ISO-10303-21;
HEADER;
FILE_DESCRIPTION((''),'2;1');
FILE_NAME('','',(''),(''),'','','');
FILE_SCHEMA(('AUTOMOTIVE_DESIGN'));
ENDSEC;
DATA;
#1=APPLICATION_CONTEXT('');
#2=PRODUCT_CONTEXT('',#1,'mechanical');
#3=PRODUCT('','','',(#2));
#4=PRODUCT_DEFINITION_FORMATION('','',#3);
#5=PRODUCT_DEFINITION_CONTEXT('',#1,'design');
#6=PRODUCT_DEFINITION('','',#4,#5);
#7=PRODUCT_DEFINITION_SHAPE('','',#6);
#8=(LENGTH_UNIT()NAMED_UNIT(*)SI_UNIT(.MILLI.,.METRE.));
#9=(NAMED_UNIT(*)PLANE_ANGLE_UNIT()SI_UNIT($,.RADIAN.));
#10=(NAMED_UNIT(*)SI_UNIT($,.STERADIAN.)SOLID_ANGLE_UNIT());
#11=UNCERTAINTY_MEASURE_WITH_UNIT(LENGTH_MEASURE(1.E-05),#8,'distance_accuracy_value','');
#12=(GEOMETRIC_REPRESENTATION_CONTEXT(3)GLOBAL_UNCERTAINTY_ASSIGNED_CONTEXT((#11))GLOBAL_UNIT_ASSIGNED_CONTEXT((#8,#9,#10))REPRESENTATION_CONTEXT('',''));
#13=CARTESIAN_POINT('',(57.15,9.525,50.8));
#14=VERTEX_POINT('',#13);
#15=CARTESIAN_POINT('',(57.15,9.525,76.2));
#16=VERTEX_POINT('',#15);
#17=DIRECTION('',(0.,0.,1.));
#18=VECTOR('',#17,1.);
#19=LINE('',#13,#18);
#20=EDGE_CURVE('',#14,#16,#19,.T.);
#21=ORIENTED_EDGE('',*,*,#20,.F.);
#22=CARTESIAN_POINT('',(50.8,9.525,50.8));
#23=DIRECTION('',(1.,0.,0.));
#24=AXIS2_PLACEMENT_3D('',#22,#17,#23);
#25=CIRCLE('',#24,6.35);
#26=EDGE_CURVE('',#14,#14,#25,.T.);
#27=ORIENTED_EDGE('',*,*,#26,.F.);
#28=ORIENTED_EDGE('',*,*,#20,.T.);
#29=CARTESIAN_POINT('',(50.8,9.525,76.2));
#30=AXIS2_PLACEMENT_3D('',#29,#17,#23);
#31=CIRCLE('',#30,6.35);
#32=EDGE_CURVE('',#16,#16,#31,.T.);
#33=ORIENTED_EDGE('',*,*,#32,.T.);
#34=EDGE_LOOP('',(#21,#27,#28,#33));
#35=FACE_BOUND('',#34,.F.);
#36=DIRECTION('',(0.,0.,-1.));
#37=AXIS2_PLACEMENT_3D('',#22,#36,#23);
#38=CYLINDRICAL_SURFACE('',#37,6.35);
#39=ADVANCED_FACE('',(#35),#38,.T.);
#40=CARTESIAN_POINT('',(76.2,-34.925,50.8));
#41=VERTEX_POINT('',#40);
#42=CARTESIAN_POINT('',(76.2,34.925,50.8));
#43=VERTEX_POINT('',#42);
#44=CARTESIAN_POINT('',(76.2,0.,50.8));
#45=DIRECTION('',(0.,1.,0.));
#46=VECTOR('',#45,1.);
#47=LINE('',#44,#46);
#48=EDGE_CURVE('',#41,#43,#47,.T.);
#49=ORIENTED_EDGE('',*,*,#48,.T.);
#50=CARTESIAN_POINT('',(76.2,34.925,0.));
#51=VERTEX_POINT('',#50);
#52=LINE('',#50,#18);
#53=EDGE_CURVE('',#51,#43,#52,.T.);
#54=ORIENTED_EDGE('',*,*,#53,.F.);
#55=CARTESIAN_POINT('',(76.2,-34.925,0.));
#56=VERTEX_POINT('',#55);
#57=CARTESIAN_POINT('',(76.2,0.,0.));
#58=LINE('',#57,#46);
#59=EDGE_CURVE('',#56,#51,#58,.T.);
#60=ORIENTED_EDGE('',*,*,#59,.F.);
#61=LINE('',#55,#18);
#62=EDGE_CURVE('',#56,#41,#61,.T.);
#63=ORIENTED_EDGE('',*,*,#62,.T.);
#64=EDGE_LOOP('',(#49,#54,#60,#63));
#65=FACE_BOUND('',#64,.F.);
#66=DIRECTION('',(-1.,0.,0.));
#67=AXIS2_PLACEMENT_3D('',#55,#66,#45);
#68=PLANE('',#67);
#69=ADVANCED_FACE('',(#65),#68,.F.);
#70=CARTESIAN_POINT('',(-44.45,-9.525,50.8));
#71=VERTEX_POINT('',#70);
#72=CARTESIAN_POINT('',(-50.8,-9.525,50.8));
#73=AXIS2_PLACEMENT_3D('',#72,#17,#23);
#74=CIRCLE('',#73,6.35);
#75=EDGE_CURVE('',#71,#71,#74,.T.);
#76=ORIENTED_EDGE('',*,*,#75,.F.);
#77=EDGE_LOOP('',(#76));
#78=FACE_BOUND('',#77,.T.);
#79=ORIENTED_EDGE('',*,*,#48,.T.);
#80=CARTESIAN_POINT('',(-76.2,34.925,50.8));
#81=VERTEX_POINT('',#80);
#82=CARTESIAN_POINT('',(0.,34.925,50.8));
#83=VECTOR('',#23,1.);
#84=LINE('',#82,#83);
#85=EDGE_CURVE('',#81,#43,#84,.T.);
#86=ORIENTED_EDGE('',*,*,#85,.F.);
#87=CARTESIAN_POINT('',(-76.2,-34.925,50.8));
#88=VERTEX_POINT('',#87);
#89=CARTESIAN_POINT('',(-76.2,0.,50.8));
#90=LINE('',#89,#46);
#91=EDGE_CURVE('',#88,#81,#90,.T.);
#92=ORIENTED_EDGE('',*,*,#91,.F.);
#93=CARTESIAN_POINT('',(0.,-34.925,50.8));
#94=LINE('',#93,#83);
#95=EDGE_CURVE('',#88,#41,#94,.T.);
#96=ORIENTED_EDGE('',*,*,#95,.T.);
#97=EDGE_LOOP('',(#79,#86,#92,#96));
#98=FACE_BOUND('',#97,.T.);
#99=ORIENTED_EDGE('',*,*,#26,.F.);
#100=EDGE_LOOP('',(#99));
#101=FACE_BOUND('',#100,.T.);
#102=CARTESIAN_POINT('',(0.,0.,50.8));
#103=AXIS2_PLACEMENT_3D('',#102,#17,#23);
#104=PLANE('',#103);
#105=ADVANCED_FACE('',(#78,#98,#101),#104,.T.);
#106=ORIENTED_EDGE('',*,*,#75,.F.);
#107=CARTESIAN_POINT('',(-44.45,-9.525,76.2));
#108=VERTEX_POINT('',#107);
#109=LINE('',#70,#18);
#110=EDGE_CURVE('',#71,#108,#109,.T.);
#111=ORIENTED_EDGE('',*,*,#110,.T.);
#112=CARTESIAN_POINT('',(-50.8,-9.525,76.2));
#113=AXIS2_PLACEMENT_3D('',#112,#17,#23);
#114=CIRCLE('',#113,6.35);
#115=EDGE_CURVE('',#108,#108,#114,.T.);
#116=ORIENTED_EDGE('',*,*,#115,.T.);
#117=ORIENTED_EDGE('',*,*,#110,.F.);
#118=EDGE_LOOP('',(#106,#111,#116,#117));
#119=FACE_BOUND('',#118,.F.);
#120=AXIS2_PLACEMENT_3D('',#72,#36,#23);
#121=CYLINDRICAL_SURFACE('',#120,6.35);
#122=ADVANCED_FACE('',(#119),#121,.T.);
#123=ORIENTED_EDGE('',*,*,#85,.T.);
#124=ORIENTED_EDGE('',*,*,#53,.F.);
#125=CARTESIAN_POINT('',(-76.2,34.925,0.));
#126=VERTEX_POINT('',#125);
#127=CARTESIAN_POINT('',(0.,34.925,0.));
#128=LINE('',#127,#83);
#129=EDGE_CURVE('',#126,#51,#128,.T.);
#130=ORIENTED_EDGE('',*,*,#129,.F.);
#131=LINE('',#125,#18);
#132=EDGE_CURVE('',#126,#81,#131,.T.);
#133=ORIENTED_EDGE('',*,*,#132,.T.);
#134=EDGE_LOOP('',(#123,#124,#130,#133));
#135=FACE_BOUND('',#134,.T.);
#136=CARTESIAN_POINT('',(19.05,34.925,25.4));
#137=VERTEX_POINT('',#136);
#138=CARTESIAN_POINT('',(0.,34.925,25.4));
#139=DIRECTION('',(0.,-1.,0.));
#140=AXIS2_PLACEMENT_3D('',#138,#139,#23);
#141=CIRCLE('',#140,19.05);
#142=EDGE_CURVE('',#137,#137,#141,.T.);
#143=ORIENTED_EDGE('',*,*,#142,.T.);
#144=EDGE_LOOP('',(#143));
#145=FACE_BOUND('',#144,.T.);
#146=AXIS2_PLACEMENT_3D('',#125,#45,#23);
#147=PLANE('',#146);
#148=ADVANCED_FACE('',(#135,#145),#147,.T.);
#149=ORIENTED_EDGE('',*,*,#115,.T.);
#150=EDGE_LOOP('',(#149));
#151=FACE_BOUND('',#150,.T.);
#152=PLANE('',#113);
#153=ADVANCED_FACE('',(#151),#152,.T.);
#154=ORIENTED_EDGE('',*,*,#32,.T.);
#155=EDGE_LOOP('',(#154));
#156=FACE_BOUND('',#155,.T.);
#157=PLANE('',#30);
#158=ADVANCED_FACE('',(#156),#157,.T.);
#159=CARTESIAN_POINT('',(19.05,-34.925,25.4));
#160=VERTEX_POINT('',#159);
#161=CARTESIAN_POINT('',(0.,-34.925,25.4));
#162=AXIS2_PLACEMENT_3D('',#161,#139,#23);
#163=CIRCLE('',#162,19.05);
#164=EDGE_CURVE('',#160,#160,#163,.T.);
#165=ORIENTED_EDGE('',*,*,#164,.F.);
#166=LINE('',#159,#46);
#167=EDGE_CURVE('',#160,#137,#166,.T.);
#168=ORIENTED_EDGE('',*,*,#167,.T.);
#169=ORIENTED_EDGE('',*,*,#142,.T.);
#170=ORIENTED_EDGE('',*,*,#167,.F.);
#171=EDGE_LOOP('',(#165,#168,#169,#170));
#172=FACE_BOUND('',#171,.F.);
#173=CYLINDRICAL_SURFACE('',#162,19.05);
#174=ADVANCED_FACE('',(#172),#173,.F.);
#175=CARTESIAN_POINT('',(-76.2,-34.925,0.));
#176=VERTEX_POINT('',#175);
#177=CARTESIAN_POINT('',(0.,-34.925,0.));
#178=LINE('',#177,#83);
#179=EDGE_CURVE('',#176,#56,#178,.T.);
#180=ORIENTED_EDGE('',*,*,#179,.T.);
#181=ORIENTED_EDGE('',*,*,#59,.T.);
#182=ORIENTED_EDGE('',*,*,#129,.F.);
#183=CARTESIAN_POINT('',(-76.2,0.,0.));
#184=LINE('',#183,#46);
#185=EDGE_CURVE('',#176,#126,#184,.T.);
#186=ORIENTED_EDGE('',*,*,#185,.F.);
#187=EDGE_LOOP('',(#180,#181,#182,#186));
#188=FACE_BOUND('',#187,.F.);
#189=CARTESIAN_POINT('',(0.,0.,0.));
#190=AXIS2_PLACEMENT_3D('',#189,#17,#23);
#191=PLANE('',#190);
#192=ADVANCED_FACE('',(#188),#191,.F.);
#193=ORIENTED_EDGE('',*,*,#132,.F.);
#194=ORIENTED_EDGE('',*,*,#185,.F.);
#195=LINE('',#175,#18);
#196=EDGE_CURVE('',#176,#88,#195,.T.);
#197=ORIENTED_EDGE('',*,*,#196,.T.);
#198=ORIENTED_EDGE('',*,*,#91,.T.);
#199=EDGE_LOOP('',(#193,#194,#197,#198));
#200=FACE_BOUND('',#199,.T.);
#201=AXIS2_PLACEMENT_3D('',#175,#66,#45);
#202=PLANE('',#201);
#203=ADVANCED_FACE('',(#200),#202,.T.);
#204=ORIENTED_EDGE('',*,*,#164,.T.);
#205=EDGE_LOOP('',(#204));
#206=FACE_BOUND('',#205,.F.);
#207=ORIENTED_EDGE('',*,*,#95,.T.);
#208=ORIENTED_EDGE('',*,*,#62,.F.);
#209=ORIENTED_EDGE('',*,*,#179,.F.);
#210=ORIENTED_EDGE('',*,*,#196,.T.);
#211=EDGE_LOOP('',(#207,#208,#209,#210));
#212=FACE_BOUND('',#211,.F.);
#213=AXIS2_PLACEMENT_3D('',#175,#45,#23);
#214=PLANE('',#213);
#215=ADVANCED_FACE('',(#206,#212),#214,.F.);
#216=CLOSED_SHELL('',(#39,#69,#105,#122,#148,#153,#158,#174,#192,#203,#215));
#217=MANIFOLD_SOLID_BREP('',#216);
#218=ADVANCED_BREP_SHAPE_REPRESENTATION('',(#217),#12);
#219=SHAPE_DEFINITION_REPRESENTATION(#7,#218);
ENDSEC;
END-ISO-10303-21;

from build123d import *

# Parameters (mm, degrees)
F0_W     = 152.4
F0_H     = 69.85
F1_DEPTH = 50.8
F2_R     = 19.05
F3_DEPTH = 201.422
F4_R     = 6.35
F5_DEPTH = 25.4


with BuildPart() as f1:
    # F0 (on Top) → F1 (new body)
    with BuildSketch(Plane.XY):
        Rectangle(F0_W, F0_H)
    extrude(amount=F1_DEPTH)

    # F2 (on face) → F3 (cut)
    with BuildSketch(Plane.XZ.offset(34.925)):
        with Locations((0, 25.4)):
            Circle(F2_R)
    extrude(amount=-F3_DEPTH, mode=Mode.SUBTRACT)

    # F4 (on face) → F5 (join)
    with BuildSketch(Plane.XY.offset(50.8)):
        with Locations((50.8, 9.525)):
            Circle(F4_R)
        with Locations((-50.8, -9.525)):
            Circle(F4_R)
    extrude(amount=F5_DEPTH)


solid = f1.part
